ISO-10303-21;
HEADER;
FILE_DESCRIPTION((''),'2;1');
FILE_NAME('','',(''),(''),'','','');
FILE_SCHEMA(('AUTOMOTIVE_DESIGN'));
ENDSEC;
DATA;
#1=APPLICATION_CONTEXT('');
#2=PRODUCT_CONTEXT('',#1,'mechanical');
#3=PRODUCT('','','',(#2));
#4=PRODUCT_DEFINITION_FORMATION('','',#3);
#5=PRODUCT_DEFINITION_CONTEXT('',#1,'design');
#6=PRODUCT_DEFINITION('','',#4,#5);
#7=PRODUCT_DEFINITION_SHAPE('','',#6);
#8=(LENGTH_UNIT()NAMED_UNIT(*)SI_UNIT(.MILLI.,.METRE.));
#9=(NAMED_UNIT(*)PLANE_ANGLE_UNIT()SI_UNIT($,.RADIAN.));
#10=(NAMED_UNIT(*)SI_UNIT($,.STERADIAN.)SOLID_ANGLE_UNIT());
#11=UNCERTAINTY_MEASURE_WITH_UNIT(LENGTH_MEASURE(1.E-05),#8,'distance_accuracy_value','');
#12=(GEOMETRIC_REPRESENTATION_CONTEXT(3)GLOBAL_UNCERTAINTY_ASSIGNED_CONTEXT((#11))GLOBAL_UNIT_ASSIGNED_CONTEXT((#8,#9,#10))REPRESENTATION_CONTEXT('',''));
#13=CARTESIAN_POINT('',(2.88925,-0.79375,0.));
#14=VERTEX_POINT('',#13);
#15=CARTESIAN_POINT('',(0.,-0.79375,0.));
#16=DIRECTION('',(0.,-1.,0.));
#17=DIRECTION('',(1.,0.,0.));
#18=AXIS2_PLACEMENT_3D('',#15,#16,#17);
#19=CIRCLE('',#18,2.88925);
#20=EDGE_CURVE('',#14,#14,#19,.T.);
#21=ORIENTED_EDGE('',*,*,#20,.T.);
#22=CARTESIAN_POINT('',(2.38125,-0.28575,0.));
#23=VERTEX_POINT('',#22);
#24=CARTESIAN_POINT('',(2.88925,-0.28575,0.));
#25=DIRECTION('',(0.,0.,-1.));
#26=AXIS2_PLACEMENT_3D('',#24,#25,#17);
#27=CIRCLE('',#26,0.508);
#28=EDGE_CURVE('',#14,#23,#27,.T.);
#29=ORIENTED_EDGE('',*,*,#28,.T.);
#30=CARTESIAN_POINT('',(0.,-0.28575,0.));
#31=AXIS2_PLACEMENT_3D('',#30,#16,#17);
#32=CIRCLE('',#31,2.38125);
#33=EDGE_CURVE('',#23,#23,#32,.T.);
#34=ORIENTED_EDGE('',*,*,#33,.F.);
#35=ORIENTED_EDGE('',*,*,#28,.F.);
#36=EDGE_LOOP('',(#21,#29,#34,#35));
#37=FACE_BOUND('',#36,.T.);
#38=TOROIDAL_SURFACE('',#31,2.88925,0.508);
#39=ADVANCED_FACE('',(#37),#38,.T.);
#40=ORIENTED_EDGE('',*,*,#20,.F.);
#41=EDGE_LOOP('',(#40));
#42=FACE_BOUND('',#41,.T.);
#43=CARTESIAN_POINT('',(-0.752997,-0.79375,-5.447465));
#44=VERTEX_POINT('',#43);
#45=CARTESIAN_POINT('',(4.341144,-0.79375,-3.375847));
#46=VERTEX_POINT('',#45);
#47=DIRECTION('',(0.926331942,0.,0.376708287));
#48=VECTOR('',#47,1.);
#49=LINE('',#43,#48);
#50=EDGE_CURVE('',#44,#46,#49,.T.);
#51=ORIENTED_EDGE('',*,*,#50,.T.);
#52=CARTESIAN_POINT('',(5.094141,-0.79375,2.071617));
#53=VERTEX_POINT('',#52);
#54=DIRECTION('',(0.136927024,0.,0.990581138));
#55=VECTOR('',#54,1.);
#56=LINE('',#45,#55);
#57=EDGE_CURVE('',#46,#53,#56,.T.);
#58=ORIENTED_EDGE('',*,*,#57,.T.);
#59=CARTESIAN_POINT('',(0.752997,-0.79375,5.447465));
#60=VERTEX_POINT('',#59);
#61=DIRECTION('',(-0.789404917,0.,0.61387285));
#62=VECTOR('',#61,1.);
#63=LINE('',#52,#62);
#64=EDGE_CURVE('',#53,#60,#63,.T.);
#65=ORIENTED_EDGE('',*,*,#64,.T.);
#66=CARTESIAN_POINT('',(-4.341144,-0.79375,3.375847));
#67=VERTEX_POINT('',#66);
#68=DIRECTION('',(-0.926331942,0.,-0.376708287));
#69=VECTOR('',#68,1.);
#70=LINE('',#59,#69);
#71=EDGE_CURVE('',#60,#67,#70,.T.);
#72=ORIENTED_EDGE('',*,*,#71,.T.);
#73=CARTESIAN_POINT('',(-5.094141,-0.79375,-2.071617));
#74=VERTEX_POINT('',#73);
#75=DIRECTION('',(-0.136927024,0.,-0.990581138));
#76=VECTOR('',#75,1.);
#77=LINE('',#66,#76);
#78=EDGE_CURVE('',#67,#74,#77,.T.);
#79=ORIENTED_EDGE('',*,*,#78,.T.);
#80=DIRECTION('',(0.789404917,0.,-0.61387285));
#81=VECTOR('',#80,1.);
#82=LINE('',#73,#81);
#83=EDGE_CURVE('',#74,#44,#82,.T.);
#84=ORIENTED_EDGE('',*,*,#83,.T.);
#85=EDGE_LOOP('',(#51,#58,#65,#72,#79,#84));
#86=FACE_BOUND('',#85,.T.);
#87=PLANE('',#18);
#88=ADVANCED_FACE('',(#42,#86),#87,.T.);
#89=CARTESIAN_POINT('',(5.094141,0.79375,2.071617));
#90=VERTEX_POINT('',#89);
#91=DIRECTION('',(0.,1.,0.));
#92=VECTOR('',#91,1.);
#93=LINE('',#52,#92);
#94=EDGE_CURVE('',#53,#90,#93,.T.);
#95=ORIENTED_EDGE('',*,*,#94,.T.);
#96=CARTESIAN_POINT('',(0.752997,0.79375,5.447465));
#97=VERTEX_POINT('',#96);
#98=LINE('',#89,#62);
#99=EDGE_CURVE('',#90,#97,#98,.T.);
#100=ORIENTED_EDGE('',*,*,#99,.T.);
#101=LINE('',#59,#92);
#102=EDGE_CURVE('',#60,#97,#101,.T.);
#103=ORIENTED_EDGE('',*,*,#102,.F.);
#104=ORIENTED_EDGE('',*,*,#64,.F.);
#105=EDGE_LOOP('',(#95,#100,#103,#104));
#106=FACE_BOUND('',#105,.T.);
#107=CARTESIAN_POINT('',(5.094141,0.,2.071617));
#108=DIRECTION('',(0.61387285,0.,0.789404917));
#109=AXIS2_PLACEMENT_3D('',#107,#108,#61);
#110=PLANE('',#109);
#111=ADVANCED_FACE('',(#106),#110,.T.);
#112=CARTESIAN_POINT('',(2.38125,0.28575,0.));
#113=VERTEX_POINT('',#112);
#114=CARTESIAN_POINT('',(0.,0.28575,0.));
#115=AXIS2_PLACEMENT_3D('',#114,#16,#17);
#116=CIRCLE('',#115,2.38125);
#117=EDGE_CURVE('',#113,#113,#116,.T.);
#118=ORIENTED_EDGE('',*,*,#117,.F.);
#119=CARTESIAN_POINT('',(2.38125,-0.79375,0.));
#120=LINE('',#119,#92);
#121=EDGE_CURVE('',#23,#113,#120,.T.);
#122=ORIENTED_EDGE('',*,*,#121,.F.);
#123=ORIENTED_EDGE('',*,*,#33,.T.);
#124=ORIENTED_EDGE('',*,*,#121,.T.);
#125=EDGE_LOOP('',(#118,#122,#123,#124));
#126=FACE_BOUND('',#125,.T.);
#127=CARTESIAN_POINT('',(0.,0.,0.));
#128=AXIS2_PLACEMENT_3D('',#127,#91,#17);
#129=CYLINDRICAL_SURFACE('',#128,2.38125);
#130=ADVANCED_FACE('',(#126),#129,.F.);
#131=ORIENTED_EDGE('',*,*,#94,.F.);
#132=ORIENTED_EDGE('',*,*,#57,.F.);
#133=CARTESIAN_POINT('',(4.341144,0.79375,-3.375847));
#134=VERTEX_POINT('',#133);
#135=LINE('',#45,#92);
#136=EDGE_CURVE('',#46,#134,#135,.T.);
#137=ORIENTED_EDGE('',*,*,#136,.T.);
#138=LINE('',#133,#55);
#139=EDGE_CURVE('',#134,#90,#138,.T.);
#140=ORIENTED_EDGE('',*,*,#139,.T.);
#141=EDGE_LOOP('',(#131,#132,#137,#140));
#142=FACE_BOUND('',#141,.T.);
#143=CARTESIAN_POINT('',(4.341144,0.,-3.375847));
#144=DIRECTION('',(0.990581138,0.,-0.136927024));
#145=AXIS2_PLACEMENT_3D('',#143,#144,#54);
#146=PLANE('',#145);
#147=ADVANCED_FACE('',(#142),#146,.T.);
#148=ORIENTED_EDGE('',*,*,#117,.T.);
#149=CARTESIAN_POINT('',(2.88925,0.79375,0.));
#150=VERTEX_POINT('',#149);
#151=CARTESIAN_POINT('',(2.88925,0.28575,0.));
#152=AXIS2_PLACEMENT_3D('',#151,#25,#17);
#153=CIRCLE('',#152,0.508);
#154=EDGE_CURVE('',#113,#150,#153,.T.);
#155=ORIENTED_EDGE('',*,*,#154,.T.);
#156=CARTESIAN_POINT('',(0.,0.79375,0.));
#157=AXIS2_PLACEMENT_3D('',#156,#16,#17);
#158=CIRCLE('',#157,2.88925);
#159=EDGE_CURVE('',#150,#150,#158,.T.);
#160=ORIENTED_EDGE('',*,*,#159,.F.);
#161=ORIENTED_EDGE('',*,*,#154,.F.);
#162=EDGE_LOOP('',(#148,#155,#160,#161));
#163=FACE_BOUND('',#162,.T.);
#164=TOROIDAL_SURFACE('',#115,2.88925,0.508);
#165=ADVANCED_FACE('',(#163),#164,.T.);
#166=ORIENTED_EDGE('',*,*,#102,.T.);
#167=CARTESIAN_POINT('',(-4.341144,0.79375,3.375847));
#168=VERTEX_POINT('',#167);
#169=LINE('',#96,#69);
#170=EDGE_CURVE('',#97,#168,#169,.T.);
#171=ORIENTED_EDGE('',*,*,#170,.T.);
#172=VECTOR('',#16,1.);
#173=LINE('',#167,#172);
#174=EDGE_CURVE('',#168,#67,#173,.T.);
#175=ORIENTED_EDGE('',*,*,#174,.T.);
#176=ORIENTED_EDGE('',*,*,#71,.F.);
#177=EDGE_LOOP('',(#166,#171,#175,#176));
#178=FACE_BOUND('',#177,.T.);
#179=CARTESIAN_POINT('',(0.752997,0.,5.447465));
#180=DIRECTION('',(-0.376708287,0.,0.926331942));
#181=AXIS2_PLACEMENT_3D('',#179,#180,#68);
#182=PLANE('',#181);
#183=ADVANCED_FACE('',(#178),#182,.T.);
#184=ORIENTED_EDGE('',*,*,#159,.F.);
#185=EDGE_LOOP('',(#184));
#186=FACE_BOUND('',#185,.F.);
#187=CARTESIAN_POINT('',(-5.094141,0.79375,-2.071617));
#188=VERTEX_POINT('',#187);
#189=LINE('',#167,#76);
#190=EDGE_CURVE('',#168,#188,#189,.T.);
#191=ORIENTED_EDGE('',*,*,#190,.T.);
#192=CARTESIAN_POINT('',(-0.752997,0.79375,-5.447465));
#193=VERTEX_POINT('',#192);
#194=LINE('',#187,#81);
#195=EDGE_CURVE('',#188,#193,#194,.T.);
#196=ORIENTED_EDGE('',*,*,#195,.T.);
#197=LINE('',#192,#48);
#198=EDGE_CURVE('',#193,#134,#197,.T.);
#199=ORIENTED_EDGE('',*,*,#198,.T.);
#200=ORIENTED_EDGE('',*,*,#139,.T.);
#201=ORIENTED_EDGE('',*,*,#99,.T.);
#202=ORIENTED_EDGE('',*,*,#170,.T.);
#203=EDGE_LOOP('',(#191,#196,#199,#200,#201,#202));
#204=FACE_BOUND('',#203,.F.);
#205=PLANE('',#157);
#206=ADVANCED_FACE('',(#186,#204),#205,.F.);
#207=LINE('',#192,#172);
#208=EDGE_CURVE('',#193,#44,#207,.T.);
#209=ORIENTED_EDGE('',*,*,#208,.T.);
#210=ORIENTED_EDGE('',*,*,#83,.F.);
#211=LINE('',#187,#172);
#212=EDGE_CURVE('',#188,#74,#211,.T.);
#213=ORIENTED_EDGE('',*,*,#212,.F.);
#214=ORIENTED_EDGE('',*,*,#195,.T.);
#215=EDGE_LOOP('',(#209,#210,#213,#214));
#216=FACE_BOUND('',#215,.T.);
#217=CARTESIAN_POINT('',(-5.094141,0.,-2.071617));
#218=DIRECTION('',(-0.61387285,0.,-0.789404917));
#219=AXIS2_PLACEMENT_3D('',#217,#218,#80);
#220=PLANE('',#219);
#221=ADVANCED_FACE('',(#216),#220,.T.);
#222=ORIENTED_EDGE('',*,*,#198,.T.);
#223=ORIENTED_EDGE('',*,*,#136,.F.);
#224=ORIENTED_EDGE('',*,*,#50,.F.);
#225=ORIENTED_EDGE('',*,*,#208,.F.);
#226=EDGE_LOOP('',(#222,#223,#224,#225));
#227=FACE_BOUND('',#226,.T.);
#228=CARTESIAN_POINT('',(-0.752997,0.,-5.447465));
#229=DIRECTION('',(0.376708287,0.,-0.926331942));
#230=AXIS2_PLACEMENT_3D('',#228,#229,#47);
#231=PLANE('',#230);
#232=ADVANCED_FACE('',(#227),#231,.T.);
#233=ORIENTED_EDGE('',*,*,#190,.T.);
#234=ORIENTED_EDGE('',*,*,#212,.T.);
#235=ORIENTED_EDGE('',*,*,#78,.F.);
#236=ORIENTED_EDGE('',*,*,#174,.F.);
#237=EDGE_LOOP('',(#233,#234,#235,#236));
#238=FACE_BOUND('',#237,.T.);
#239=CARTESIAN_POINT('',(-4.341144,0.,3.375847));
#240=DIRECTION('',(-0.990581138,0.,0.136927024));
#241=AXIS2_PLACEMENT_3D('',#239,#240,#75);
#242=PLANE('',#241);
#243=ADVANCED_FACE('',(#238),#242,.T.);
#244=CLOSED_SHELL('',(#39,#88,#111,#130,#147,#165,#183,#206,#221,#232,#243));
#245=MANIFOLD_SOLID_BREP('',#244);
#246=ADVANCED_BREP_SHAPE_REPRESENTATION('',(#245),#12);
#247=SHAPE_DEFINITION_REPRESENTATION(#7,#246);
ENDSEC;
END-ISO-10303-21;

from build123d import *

# Parameters (mm, degrees)
F0_R     = 2.38125
F1_DEPTH = 0.79375
F2_R     = 0.508
F3_R     = 0.508


with BuildPart() as f1:
    # F0 (on Front) → F1 (new body, symmetric)
    with BuildSketch(Plane.XZ):
        Polygon((0.7529974873, 5.447464528), (-4.3411439238, 3.375847217), (-5.0941414111, -2.071617311), (-0.7529974873, -5.447464528), (4.3411439238, -3.375847217), (5.0941414111, 2.071617311), align=None)
        Circle(F0_R, mode=Mode.SUBTRACT)
    extrude(amount=F1_DEPTH, both=True)

    # F2
    f2_edges = [f1.edges().sort_by_distance(p)[0] for p in [
        (-2.38125, -0.79375, 0),
    ]]
    fillet(f2_edges, radius=F2_R)

    # F3
    f3_edges = [f1.edges().sort_by_distance(p)[0] for p in [
        (-2.38125, 0.79375, 0),
    ]]
    fillet(f3_edges, radius=F3_R)


solid = f1.part
